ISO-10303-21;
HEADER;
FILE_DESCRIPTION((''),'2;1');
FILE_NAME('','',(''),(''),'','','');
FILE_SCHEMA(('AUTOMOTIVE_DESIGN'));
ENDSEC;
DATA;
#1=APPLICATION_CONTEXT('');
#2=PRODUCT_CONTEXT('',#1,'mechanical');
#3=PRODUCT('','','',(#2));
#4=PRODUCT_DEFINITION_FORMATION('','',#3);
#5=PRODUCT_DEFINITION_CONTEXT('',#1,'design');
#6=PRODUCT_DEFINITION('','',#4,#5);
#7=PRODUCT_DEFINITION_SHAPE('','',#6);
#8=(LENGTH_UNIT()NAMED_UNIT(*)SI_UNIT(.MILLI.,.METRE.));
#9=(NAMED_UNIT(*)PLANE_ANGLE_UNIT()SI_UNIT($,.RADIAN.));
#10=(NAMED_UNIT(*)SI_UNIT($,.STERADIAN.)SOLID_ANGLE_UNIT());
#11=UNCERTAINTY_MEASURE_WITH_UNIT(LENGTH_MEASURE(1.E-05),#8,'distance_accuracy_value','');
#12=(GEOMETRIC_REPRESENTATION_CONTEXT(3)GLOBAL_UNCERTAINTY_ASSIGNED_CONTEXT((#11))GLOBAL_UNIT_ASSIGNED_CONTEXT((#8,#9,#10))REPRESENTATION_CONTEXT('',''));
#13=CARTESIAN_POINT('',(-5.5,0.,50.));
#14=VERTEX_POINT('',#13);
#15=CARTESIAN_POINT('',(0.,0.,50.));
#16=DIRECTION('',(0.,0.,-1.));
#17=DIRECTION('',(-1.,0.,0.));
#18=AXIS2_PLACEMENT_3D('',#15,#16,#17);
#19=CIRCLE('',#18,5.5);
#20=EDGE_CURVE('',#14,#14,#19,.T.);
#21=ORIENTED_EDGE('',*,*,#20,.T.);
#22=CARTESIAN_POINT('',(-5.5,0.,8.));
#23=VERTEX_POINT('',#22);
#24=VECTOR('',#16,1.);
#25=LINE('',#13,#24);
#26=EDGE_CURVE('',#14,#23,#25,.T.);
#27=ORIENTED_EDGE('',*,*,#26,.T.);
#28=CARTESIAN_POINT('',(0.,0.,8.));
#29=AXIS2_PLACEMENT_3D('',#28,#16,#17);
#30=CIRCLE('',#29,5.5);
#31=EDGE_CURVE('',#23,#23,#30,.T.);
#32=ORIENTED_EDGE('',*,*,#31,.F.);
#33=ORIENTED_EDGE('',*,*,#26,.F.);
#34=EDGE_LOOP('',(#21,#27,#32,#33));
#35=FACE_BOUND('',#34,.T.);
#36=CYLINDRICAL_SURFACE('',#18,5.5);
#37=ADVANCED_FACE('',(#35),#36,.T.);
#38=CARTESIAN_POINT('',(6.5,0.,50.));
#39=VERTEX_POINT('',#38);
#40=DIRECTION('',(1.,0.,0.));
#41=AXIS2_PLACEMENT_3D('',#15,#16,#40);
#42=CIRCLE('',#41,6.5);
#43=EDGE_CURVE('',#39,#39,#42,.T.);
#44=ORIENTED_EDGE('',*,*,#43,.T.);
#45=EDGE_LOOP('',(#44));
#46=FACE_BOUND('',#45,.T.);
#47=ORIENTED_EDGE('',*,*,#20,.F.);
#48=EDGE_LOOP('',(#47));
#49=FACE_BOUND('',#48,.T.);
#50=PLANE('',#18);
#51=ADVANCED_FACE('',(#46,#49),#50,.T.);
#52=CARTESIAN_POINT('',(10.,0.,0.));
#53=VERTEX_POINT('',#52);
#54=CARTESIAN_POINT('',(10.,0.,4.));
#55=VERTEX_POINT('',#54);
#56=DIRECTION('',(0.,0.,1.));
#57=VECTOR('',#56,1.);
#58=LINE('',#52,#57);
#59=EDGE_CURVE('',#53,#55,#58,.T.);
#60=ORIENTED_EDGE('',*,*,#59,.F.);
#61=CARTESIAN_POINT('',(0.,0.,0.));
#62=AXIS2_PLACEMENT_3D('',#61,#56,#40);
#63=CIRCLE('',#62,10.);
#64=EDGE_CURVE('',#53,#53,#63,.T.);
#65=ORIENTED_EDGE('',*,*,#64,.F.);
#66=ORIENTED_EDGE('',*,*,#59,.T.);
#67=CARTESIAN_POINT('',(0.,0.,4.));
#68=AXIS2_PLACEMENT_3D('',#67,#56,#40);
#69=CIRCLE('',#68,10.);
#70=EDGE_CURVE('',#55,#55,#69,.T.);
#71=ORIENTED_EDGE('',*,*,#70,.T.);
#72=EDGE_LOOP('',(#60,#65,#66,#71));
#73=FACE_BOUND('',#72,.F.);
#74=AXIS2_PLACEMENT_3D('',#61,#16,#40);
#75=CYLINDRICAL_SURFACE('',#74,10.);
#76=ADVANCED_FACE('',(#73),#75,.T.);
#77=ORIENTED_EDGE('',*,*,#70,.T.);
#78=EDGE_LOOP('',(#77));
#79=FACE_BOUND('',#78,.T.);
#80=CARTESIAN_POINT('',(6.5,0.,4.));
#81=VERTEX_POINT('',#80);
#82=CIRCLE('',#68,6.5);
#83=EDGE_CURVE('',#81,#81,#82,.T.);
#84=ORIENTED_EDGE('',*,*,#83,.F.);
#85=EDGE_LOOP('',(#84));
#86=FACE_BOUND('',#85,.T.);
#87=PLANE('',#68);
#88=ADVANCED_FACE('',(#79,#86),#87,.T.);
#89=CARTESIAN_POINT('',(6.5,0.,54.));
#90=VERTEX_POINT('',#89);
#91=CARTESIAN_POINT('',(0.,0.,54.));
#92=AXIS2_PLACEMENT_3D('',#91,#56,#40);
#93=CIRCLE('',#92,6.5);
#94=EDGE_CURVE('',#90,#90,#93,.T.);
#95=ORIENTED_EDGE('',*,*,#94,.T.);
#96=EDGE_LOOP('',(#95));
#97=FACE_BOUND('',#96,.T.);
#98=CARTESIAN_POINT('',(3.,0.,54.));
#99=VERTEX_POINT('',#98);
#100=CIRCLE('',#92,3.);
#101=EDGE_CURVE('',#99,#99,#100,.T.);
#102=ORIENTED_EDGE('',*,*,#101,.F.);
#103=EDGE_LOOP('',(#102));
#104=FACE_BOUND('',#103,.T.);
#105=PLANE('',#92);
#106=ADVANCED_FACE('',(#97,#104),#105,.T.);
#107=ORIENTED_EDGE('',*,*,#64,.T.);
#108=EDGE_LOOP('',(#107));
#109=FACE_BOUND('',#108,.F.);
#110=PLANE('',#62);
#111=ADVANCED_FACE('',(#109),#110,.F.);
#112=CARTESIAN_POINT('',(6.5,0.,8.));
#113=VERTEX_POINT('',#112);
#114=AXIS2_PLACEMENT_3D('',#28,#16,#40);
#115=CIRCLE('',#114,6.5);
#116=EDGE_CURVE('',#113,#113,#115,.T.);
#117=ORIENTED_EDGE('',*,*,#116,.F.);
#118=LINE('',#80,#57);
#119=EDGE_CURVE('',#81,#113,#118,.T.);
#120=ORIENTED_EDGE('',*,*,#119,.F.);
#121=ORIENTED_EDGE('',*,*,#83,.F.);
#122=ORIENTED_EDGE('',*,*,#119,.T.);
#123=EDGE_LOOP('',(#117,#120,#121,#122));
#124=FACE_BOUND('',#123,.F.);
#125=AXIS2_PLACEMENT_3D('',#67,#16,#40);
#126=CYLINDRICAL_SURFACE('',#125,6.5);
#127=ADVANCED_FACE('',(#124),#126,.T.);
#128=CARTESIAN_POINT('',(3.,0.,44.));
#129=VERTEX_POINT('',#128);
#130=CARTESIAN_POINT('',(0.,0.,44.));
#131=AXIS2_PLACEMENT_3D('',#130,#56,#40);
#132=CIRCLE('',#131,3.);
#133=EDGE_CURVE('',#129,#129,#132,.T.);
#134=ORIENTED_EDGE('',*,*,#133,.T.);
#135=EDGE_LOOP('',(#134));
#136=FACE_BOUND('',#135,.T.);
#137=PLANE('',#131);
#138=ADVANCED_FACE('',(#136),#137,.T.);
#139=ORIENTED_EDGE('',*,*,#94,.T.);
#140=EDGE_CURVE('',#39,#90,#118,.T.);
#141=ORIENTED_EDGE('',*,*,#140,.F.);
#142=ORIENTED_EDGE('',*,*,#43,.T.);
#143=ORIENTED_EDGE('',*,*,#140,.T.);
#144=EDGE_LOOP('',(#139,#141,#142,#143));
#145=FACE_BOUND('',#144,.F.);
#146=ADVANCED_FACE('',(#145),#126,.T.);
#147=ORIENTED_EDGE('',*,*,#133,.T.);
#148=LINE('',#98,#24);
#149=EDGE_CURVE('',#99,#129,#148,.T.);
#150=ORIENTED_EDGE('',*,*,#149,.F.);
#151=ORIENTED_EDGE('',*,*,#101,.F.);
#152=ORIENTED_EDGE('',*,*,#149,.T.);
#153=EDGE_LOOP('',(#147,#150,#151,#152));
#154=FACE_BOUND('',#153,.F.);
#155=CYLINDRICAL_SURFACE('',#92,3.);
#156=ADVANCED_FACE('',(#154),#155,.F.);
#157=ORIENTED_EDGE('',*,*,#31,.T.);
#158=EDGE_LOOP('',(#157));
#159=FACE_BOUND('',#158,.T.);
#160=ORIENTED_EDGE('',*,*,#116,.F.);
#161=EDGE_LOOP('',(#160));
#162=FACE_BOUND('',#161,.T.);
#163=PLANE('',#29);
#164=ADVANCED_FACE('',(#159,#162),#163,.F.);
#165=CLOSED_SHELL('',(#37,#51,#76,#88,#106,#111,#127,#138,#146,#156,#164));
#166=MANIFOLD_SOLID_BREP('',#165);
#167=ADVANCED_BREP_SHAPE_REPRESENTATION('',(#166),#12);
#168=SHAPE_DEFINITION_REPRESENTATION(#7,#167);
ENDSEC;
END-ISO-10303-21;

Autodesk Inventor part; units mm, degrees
ref_plane "YZ Plane" through (0, 0, 0) normal (1, 0, 0) x (0, 1, 0)
ref_plane "XZ Plane" through (0, 0, 0) normal (0, 1, 0) x (-1, 0, 0)
ref_plane "XY Plane" through (0, 0, 0) normal (0, 0, 1) x (1, 0, 0)
sketch "Boceto1" plane through (0, 0, 0) normal (0, 0, 1) x (1, 0, 0)
  circle A0 centre (0, 0) radius 10
  dimension "d0" = 20
extrude "Extrusión1" add sketch "Boceto1" along normal blind 4
sketch "Boceto2" plane through (0, 0, 4) normal (0, 0, 1) x (1, 0, 0)
  circle A0 centre (0, 0) radius 6.5
  dimension "d3" = 13
extrude "Extrusión2" add sketch "Boceto2" along normal blind 50
sketch "Boceto3" plane through (0, 0, 0) normal (0, 1, 0) x (-1, 0, 0)
  line L0 (6.5, 50) -> (5.5, 50)
  line L1 (5.5, 50) -> (5.5, 8)
  line L2 (5.5, 8) -> (6.5, 8)
  line L3 (0, 30.7495) -> (0, -2.427)
  line L4 (10, 4) -> (-10, 4) projected
  line L5 (6.5, 4) -> (6.5, 54) projected
  point P0 (0, 0)
  dimension "d6" = 1
  dimension "d7" = 4
  dimension "d8" = 4
revolve "Revolución1" cut sketch "Boceto3" angle 360 about axis through (0, 0, 30.7495) along (0, 0, -1)
sketch "Boceto4" plane through (0, 0, 54) normal (0, 0, 1) x (1, 0, 0)
  circle A0 centre (0, 0) radius 3
  dimension "d10" = 6
extrude "Extrusión3" cut sketch "Boceto4" against normal blind 10
properties part number "steering_stand_off_bush" material "Hierro, gris"
